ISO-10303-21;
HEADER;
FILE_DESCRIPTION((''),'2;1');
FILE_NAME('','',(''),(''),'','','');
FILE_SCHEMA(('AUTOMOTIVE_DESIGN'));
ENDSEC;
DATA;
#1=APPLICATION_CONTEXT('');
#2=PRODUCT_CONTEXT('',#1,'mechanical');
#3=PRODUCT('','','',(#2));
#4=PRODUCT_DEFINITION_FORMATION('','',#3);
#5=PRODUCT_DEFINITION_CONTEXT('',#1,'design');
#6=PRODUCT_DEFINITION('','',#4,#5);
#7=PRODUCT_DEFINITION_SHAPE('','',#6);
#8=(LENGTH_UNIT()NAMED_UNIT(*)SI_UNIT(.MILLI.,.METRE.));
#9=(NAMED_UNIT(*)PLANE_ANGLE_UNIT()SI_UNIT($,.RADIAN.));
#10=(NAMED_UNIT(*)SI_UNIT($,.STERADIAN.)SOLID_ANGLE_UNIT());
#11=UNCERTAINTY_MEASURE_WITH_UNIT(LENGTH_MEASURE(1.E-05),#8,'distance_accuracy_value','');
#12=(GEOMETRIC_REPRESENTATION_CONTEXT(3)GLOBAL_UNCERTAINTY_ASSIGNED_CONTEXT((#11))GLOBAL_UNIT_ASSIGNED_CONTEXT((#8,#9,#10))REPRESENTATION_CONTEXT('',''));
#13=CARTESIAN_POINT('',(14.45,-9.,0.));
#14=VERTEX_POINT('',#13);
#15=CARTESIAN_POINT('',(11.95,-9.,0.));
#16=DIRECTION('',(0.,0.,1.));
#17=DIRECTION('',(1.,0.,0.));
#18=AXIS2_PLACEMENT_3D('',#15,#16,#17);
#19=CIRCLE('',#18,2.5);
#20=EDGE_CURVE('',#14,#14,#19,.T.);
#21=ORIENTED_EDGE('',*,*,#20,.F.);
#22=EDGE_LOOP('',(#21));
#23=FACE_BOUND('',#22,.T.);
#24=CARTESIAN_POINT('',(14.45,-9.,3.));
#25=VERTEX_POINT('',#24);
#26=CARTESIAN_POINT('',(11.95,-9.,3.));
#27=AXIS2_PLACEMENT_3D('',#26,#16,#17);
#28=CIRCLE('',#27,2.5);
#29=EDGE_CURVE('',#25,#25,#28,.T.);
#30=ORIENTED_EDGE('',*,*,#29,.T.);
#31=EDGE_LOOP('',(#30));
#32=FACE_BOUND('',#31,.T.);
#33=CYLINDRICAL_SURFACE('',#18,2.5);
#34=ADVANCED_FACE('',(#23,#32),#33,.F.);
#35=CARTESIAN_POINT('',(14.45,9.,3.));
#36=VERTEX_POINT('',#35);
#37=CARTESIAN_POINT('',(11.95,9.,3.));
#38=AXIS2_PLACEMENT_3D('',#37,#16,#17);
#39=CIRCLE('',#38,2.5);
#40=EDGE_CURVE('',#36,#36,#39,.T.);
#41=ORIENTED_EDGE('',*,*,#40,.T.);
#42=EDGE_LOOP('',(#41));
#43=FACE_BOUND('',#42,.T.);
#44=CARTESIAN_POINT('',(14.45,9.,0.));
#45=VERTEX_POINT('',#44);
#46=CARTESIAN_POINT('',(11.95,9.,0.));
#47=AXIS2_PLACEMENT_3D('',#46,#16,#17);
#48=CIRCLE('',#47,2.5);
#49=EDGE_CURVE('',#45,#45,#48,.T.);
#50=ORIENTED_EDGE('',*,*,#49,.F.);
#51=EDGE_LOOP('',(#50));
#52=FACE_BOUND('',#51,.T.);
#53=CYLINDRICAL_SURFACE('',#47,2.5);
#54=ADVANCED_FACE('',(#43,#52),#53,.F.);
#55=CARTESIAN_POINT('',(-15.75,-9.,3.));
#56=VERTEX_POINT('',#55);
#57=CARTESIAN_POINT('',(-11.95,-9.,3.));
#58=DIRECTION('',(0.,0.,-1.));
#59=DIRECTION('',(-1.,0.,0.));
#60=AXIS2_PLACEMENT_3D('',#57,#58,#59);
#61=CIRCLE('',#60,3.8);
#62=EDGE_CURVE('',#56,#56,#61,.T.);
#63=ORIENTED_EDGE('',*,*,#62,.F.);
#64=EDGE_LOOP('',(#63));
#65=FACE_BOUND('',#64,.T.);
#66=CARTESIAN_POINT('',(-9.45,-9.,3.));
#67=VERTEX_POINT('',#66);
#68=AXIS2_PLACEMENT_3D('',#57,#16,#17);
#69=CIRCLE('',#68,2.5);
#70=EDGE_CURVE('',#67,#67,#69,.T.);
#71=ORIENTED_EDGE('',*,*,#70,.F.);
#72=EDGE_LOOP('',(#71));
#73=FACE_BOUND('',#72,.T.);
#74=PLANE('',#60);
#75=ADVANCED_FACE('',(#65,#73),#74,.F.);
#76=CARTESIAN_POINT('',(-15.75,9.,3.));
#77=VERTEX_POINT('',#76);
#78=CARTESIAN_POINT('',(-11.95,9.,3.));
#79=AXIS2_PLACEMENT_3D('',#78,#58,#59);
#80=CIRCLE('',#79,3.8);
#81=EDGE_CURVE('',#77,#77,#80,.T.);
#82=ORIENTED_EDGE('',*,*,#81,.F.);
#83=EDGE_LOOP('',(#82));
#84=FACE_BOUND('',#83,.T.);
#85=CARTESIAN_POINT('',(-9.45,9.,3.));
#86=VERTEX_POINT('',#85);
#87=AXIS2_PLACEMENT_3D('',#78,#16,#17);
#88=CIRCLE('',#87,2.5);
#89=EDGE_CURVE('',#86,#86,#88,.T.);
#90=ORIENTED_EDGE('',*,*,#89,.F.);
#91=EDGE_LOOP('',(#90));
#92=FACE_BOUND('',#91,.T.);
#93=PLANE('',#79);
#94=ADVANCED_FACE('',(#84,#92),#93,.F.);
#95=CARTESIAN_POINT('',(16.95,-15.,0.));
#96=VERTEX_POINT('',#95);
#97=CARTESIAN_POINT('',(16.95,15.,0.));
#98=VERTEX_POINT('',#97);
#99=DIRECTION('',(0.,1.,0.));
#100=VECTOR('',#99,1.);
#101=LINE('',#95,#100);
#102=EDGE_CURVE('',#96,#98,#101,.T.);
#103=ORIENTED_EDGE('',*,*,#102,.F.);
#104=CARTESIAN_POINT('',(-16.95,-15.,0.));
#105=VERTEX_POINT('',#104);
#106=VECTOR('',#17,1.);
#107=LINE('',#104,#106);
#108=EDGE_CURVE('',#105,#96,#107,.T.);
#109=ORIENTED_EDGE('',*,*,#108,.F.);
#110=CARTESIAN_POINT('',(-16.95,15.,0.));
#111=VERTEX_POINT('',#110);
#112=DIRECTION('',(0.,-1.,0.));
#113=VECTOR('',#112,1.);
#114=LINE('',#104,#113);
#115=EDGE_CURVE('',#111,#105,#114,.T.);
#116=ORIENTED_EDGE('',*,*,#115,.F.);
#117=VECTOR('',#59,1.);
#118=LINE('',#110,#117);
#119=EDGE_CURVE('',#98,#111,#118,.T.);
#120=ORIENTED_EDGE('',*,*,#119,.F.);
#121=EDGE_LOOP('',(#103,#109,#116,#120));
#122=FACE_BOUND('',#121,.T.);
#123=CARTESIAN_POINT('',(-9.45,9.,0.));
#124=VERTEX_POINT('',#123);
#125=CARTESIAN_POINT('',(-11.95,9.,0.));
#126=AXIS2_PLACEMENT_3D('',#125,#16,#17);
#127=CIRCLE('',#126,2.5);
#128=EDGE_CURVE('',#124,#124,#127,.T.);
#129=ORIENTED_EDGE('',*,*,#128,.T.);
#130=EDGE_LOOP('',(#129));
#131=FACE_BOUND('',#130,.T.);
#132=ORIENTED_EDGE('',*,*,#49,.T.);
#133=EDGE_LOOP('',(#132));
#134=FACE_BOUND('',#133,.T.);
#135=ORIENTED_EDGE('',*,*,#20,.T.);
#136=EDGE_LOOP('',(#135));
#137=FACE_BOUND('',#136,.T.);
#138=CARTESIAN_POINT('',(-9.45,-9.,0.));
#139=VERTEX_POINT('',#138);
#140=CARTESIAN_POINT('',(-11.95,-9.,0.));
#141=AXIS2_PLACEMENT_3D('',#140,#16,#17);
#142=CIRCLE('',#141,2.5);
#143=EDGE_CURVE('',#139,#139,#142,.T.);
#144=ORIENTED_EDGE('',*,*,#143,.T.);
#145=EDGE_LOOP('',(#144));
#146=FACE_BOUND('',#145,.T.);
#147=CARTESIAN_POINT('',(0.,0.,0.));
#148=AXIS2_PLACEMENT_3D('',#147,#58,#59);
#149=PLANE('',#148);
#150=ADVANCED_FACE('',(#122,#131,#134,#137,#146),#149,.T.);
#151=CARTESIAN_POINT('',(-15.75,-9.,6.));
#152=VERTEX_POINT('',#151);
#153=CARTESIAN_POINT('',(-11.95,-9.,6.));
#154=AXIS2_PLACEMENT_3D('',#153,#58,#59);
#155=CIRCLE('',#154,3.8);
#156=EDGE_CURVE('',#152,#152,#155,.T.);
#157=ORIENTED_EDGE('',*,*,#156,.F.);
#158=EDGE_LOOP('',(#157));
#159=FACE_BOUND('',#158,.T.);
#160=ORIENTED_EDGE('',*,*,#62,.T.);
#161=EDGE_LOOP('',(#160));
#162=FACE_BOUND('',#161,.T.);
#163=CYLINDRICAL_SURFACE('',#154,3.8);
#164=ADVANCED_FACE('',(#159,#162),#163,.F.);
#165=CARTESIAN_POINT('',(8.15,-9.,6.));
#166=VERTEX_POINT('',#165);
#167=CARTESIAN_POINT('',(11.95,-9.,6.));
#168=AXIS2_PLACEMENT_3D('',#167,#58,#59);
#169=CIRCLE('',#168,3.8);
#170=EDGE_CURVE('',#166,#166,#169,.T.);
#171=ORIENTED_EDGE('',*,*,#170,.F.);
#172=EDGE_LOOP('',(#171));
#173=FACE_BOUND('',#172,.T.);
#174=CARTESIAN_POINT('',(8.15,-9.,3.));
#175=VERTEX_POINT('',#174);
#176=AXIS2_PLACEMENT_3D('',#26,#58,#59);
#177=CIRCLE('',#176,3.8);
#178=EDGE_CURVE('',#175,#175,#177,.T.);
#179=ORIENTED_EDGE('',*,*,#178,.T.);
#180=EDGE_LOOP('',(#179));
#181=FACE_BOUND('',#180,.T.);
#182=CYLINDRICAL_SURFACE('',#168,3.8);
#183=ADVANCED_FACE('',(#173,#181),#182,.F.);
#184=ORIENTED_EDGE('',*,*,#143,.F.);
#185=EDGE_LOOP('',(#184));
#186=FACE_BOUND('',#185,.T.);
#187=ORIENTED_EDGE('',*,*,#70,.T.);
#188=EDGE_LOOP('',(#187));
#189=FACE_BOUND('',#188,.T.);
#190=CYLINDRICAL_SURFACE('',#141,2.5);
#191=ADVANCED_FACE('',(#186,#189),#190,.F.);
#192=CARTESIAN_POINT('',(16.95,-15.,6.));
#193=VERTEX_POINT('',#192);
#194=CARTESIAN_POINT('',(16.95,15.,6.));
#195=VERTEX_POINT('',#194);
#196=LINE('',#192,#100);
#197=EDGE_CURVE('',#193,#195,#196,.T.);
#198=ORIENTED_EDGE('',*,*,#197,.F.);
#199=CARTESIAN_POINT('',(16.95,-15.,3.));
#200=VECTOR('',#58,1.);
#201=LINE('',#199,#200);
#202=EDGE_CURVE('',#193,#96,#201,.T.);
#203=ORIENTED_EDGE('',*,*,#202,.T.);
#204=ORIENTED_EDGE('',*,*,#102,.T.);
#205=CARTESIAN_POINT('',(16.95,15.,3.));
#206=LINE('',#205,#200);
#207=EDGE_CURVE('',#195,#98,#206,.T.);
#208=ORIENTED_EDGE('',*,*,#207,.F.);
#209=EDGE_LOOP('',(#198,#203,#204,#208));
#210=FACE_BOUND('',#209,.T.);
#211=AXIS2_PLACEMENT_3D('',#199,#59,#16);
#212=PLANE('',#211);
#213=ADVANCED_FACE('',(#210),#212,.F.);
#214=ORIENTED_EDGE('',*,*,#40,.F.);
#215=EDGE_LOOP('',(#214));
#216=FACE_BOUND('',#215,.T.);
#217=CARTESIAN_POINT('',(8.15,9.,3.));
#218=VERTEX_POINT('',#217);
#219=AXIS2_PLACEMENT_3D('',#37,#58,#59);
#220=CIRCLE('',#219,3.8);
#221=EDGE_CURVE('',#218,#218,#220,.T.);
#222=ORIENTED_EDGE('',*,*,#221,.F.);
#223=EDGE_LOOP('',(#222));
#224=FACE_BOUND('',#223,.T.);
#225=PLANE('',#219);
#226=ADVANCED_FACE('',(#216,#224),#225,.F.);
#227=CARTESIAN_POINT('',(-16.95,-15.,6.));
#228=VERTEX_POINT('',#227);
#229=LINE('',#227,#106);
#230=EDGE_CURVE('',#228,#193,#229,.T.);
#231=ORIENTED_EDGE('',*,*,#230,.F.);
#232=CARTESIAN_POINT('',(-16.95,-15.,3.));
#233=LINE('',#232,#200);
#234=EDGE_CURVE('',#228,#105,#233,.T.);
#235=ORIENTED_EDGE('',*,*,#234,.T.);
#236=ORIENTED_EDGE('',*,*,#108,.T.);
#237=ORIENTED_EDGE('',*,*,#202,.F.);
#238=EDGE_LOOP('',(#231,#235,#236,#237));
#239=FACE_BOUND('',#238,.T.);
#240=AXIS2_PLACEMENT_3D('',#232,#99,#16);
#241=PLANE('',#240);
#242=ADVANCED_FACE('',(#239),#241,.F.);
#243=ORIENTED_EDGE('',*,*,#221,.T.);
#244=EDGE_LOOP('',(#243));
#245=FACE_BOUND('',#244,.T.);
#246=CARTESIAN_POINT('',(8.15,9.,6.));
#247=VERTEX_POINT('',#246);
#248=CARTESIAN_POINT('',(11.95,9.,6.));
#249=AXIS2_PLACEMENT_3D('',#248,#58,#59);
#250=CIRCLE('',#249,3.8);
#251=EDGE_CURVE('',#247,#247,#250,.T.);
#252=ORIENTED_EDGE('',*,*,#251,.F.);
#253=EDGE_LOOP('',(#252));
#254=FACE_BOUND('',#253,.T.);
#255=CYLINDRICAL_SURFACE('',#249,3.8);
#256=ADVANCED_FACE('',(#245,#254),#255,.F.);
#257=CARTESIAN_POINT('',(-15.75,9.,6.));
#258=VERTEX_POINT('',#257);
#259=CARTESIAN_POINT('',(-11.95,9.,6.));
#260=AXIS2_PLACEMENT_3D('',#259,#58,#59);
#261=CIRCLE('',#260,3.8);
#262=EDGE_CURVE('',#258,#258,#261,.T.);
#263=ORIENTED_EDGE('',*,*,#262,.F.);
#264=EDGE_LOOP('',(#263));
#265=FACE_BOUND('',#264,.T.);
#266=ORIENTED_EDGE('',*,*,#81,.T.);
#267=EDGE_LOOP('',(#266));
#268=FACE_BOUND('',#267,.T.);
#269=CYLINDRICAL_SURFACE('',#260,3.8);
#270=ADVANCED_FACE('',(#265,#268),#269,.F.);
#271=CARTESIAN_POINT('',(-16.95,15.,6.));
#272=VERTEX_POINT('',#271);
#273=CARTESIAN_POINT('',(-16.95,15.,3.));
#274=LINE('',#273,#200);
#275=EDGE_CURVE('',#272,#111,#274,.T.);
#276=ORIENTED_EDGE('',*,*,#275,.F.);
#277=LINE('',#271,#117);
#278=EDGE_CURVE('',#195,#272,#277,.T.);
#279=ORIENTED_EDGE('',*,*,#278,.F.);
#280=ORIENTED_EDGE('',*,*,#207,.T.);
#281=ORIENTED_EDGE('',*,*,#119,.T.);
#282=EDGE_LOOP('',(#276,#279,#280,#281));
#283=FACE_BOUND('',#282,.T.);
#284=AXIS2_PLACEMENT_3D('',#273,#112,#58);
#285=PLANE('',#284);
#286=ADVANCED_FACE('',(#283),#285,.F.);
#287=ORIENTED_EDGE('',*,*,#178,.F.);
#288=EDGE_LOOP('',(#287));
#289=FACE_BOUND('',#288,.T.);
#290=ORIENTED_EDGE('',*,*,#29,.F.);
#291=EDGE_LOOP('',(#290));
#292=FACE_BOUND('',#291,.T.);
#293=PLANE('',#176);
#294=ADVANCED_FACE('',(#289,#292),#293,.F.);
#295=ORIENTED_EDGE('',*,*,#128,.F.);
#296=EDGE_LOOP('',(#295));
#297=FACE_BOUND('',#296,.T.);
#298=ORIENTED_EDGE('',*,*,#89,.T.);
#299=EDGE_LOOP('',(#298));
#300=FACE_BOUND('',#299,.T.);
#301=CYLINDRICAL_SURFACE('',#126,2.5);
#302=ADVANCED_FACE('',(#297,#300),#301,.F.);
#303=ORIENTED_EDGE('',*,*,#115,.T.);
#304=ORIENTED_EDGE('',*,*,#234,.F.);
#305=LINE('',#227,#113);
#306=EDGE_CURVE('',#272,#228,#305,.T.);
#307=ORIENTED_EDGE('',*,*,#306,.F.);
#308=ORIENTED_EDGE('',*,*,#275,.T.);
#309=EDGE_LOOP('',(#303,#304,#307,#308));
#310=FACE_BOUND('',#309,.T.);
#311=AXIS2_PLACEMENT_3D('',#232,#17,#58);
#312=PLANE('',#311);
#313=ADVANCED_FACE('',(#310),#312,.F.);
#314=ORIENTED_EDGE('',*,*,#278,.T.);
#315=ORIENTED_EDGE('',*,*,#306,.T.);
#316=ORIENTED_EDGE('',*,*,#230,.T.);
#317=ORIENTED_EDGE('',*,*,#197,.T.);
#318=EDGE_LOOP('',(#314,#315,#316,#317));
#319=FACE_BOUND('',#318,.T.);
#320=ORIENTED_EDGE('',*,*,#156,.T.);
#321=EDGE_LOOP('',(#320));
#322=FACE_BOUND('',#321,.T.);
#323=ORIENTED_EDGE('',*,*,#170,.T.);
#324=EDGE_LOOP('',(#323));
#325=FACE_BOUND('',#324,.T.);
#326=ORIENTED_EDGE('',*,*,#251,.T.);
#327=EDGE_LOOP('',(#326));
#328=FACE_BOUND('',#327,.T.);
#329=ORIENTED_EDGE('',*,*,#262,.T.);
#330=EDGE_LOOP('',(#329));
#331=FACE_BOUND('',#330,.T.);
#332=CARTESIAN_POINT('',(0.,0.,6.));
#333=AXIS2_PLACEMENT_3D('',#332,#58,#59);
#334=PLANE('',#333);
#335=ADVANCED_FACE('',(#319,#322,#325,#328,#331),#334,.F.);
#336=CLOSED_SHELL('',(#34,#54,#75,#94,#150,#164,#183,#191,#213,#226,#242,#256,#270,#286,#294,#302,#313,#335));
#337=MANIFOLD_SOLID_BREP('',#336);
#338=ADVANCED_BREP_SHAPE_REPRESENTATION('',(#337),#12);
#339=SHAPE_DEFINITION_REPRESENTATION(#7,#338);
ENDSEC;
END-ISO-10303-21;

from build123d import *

# Parameters (mm, degrees)
SKETCH1_W           = 33.9
SKETCH1_H           = 30
BOSS_EXTRUDE5_DEPTH = 3
SKETCH3_R           = 2.5
CUT_EXTRUDE2_DEPTH  = 3
SKETCH7_W           = 33.9
SKETCH7_H           = 30
BOSS_EXTRUDE6_DEPTH = 3
SKETCH8_R           = 3.8
CUT_EXTRUDE3_DEPTH  = 3
SKETCH10_R          = 3.8
CUT_EXTRUDE4_DEPTH  = 3


with BuildPart() as part:
    # Sketch1 → Boss-Extrude5 (new body)
    with BuildSketch(Plane.XY):
        Rectangle(SKETCH1_W, SKETCH1_H)
    extrude(amount=BOSS_EXTRUDE5_DEPTH)

    # Sketch3 → Cut-Extrude2 (cut)
    with BuildSketch(Plane.XY.offset(3)):
        with Locations((-11.95, 9)):
            Circle(SKETCH3_R)
        with Locations((11.95, 9)):
            Circle(SKETCH3_R)
        with Locations((11.95, -9)):
            Circle(SKETCH3_R)
        with Locations((-11.95, -9)):
            Circle(SKETCH3_R)
    extrude(amount=-CUT_EXTRUDE2_DEPTH, mode=Mode.SUBTRACT)

    # Sketch7 → Boss-Extrude6 (add)
    with BuildSketch(Plane.XY.offset(3)):
        Rectangle(SKETCH7_W, SKETCH7_H)
    extrude(amount=BOSS_EXTRUDE6_DEPTH)

    # Sketch8 → Cut-Extrude3 (cut)
    with BuildSketch(Plane(origin=(0, 0, 3), x_dir=(-1, 0, 0), z_dir=(0, 0, -1))):
        with Locations((11.95, 9)):
            Circle(SKETCH8_R)
    extrude(amount=-CUT_EXTRUDE3_DEPTH, mode=Mode.SUBTRACT)

    # Sketch10 → Cut-Extrude4 (cut)
    with BuildSketch(Plane(origin=(0, 0, 3), x_dir=(-1, 0, 0), z_dir=(0, 0, -1))):
        with Locations((-11.95, 9)):
            Circle(SKETCH10_R)
        with Locations((-11.95, -9)):
            Circle(SKETCH10_R)
        with Locations((11.95, -9)):
            Circle(SKETCH10_R)
    extrude(amount=-CUT_EXTRUDE4_DEPTH, mode=Mode.SUBTRACT)


solid = part.part
